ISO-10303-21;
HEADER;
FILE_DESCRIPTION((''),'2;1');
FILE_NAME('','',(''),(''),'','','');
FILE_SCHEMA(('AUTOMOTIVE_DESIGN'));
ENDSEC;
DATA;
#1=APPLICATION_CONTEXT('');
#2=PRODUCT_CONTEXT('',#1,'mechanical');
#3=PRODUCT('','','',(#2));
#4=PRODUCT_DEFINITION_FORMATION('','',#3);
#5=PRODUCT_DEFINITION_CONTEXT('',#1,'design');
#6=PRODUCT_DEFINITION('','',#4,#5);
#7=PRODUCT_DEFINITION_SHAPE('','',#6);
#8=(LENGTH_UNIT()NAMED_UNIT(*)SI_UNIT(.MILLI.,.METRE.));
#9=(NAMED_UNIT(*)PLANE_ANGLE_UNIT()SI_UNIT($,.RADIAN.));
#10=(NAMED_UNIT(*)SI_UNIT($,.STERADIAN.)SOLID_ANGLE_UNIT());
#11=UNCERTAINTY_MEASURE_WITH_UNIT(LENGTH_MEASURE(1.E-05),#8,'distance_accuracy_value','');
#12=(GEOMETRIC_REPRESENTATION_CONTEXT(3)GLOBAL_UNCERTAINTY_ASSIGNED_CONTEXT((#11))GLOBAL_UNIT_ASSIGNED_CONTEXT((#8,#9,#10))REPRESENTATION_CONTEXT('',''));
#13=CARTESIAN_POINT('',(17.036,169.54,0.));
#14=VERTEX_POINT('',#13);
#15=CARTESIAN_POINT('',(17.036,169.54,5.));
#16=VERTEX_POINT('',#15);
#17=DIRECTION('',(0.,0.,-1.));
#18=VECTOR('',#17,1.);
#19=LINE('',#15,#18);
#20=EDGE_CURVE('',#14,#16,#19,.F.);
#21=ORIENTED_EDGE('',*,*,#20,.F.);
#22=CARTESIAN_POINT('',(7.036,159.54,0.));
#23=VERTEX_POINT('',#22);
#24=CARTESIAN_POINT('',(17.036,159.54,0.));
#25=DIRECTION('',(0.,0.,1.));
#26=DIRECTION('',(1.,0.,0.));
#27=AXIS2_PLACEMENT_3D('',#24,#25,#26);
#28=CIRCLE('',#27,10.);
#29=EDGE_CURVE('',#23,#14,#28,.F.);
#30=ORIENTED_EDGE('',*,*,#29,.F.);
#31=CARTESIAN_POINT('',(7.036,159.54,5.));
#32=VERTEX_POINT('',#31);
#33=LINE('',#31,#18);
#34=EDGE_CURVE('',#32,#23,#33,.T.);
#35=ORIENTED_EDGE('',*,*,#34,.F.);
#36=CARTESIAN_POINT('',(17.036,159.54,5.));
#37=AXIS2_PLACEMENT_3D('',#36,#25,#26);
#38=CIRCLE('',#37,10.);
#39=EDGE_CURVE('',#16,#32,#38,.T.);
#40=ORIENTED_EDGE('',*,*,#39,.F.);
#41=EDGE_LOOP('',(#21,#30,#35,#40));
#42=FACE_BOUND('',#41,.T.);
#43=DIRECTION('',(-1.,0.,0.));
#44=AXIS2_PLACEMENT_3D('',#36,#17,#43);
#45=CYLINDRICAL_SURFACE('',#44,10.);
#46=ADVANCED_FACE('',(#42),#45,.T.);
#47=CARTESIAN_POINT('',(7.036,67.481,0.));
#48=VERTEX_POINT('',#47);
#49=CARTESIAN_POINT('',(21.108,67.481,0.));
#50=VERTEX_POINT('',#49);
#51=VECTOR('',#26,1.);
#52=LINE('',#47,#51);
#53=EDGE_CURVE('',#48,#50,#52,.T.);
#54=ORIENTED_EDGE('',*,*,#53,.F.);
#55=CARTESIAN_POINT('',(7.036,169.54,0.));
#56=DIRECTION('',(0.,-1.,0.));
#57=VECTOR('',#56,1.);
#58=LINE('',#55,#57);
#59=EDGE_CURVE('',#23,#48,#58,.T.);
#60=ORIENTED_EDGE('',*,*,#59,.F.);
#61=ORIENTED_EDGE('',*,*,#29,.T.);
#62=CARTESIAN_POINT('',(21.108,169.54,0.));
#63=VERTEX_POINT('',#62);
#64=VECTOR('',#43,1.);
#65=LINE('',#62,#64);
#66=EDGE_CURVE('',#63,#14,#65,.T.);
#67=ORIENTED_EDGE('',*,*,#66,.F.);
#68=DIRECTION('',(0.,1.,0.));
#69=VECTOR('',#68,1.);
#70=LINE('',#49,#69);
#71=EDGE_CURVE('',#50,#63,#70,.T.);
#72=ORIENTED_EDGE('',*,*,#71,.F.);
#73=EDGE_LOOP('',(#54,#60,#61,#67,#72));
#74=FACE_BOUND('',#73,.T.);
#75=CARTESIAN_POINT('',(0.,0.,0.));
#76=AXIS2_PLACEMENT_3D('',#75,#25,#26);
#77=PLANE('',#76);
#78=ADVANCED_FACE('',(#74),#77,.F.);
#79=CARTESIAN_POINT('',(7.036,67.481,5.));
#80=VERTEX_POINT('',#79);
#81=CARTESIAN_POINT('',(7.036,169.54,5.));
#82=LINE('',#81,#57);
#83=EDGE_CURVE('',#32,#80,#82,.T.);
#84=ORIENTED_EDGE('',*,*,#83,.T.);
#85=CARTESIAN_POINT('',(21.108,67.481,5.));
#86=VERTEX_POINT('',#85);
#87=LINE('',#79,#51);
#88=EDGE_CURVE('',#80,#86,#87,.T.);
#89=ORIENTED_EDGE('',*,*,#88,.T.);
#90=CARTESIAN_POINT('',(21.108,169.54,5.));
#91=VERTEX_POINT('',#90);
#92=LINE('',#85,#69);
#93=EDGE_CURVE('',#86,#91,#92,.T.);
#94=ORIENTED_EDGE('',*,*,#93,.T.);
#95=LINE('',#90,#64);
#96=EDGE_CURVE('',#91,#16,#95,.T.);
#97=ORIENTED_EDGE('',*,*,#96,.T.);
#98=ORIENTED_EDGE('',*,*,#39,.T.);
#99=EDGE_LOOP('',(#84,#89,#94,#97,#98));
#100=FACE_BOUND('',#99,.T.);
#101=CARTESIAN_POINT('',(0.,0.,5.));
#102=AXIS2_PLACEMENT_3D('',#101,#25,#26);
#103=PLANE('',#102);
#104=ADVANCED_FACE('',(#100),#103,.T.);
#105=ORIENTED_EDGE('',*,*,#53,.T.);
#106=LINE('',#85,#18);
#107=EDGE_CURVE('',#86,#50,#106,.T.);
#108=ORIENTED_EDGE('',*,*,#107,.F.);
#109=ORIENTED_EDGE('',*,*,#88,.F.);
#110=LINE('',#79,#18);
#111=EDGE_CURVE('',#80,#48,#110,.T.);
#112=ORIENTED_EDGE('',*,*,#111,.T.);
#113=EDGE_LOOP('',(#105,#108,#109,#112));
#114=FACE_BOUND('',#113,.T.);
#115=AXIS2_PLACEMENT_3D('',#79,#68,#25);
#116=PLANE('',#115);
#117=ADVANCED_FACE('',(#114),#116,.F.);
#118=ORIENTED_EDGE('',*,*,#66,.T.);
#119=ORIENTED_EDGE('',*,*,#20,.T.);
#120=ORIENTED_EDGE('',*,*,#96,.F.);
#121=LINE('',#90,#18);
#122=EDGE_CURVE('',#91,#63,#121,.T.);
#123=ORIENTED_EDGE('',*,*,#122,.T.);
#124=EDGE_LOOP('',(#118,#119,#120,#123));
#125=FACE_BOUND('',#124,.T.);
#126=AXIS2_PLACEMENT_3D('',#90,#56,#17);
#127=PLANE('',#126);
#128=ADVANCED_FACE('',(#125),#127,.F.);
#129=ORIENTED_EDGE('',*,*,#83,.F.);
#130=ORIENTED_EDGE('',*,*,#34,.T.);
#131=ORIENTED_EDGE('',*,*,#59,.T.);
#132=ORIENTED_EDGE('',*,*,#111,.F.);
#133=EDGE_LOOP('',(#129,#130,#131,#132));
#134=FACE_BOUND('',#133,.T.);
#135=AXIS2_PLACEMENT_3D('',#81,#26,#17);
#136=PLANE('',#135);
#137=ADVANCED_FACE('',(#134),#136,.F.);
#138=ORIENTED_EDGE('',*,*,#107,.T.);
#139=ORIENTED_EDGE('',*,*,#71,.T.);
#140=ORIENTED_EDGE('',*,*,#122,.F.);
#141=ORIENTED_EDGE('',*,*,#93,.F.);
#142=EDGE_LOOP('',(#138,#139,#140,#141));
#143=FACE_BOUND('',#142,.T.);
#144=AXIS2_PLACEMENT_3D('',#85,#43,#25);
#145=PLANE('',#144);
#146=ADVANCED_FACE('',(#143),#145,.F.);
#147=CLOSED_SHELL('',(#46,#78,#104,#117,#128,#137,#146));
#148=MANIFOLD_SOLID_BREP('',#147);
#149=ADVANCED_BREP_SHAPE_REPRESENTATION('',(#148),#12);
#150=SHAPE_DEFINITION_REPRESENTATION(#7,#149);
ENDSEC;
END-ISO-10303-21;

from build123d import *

# Parameters (mm, degrees)
SKETCH1_W           = 14.072
SKETCH1_H           = 102.059
BOSS_EXTRUDE1_DEPTH = 5
FILLET1_R           = 10


with BuildPart() as part:
    # Sketch1 → Boss-Extrude1 (new body)
    with BuildSketch(Plane.XY):
        with Locations((14.072, 118.5105)):
            Rectangle(SKETCH1_W, SKETCH1_H)
    extrude(amount=BOSS_EXTRUDE1_DEPTH)

    # Fillet1
    fillet1_edges = [part.edges().sort_by_distance(p)[0] for p in [
        (7.036, 169.54, 2.5),
    ]]
    fillet(fillet1_edges, radius=FILLET1_R)


solid = part.part
